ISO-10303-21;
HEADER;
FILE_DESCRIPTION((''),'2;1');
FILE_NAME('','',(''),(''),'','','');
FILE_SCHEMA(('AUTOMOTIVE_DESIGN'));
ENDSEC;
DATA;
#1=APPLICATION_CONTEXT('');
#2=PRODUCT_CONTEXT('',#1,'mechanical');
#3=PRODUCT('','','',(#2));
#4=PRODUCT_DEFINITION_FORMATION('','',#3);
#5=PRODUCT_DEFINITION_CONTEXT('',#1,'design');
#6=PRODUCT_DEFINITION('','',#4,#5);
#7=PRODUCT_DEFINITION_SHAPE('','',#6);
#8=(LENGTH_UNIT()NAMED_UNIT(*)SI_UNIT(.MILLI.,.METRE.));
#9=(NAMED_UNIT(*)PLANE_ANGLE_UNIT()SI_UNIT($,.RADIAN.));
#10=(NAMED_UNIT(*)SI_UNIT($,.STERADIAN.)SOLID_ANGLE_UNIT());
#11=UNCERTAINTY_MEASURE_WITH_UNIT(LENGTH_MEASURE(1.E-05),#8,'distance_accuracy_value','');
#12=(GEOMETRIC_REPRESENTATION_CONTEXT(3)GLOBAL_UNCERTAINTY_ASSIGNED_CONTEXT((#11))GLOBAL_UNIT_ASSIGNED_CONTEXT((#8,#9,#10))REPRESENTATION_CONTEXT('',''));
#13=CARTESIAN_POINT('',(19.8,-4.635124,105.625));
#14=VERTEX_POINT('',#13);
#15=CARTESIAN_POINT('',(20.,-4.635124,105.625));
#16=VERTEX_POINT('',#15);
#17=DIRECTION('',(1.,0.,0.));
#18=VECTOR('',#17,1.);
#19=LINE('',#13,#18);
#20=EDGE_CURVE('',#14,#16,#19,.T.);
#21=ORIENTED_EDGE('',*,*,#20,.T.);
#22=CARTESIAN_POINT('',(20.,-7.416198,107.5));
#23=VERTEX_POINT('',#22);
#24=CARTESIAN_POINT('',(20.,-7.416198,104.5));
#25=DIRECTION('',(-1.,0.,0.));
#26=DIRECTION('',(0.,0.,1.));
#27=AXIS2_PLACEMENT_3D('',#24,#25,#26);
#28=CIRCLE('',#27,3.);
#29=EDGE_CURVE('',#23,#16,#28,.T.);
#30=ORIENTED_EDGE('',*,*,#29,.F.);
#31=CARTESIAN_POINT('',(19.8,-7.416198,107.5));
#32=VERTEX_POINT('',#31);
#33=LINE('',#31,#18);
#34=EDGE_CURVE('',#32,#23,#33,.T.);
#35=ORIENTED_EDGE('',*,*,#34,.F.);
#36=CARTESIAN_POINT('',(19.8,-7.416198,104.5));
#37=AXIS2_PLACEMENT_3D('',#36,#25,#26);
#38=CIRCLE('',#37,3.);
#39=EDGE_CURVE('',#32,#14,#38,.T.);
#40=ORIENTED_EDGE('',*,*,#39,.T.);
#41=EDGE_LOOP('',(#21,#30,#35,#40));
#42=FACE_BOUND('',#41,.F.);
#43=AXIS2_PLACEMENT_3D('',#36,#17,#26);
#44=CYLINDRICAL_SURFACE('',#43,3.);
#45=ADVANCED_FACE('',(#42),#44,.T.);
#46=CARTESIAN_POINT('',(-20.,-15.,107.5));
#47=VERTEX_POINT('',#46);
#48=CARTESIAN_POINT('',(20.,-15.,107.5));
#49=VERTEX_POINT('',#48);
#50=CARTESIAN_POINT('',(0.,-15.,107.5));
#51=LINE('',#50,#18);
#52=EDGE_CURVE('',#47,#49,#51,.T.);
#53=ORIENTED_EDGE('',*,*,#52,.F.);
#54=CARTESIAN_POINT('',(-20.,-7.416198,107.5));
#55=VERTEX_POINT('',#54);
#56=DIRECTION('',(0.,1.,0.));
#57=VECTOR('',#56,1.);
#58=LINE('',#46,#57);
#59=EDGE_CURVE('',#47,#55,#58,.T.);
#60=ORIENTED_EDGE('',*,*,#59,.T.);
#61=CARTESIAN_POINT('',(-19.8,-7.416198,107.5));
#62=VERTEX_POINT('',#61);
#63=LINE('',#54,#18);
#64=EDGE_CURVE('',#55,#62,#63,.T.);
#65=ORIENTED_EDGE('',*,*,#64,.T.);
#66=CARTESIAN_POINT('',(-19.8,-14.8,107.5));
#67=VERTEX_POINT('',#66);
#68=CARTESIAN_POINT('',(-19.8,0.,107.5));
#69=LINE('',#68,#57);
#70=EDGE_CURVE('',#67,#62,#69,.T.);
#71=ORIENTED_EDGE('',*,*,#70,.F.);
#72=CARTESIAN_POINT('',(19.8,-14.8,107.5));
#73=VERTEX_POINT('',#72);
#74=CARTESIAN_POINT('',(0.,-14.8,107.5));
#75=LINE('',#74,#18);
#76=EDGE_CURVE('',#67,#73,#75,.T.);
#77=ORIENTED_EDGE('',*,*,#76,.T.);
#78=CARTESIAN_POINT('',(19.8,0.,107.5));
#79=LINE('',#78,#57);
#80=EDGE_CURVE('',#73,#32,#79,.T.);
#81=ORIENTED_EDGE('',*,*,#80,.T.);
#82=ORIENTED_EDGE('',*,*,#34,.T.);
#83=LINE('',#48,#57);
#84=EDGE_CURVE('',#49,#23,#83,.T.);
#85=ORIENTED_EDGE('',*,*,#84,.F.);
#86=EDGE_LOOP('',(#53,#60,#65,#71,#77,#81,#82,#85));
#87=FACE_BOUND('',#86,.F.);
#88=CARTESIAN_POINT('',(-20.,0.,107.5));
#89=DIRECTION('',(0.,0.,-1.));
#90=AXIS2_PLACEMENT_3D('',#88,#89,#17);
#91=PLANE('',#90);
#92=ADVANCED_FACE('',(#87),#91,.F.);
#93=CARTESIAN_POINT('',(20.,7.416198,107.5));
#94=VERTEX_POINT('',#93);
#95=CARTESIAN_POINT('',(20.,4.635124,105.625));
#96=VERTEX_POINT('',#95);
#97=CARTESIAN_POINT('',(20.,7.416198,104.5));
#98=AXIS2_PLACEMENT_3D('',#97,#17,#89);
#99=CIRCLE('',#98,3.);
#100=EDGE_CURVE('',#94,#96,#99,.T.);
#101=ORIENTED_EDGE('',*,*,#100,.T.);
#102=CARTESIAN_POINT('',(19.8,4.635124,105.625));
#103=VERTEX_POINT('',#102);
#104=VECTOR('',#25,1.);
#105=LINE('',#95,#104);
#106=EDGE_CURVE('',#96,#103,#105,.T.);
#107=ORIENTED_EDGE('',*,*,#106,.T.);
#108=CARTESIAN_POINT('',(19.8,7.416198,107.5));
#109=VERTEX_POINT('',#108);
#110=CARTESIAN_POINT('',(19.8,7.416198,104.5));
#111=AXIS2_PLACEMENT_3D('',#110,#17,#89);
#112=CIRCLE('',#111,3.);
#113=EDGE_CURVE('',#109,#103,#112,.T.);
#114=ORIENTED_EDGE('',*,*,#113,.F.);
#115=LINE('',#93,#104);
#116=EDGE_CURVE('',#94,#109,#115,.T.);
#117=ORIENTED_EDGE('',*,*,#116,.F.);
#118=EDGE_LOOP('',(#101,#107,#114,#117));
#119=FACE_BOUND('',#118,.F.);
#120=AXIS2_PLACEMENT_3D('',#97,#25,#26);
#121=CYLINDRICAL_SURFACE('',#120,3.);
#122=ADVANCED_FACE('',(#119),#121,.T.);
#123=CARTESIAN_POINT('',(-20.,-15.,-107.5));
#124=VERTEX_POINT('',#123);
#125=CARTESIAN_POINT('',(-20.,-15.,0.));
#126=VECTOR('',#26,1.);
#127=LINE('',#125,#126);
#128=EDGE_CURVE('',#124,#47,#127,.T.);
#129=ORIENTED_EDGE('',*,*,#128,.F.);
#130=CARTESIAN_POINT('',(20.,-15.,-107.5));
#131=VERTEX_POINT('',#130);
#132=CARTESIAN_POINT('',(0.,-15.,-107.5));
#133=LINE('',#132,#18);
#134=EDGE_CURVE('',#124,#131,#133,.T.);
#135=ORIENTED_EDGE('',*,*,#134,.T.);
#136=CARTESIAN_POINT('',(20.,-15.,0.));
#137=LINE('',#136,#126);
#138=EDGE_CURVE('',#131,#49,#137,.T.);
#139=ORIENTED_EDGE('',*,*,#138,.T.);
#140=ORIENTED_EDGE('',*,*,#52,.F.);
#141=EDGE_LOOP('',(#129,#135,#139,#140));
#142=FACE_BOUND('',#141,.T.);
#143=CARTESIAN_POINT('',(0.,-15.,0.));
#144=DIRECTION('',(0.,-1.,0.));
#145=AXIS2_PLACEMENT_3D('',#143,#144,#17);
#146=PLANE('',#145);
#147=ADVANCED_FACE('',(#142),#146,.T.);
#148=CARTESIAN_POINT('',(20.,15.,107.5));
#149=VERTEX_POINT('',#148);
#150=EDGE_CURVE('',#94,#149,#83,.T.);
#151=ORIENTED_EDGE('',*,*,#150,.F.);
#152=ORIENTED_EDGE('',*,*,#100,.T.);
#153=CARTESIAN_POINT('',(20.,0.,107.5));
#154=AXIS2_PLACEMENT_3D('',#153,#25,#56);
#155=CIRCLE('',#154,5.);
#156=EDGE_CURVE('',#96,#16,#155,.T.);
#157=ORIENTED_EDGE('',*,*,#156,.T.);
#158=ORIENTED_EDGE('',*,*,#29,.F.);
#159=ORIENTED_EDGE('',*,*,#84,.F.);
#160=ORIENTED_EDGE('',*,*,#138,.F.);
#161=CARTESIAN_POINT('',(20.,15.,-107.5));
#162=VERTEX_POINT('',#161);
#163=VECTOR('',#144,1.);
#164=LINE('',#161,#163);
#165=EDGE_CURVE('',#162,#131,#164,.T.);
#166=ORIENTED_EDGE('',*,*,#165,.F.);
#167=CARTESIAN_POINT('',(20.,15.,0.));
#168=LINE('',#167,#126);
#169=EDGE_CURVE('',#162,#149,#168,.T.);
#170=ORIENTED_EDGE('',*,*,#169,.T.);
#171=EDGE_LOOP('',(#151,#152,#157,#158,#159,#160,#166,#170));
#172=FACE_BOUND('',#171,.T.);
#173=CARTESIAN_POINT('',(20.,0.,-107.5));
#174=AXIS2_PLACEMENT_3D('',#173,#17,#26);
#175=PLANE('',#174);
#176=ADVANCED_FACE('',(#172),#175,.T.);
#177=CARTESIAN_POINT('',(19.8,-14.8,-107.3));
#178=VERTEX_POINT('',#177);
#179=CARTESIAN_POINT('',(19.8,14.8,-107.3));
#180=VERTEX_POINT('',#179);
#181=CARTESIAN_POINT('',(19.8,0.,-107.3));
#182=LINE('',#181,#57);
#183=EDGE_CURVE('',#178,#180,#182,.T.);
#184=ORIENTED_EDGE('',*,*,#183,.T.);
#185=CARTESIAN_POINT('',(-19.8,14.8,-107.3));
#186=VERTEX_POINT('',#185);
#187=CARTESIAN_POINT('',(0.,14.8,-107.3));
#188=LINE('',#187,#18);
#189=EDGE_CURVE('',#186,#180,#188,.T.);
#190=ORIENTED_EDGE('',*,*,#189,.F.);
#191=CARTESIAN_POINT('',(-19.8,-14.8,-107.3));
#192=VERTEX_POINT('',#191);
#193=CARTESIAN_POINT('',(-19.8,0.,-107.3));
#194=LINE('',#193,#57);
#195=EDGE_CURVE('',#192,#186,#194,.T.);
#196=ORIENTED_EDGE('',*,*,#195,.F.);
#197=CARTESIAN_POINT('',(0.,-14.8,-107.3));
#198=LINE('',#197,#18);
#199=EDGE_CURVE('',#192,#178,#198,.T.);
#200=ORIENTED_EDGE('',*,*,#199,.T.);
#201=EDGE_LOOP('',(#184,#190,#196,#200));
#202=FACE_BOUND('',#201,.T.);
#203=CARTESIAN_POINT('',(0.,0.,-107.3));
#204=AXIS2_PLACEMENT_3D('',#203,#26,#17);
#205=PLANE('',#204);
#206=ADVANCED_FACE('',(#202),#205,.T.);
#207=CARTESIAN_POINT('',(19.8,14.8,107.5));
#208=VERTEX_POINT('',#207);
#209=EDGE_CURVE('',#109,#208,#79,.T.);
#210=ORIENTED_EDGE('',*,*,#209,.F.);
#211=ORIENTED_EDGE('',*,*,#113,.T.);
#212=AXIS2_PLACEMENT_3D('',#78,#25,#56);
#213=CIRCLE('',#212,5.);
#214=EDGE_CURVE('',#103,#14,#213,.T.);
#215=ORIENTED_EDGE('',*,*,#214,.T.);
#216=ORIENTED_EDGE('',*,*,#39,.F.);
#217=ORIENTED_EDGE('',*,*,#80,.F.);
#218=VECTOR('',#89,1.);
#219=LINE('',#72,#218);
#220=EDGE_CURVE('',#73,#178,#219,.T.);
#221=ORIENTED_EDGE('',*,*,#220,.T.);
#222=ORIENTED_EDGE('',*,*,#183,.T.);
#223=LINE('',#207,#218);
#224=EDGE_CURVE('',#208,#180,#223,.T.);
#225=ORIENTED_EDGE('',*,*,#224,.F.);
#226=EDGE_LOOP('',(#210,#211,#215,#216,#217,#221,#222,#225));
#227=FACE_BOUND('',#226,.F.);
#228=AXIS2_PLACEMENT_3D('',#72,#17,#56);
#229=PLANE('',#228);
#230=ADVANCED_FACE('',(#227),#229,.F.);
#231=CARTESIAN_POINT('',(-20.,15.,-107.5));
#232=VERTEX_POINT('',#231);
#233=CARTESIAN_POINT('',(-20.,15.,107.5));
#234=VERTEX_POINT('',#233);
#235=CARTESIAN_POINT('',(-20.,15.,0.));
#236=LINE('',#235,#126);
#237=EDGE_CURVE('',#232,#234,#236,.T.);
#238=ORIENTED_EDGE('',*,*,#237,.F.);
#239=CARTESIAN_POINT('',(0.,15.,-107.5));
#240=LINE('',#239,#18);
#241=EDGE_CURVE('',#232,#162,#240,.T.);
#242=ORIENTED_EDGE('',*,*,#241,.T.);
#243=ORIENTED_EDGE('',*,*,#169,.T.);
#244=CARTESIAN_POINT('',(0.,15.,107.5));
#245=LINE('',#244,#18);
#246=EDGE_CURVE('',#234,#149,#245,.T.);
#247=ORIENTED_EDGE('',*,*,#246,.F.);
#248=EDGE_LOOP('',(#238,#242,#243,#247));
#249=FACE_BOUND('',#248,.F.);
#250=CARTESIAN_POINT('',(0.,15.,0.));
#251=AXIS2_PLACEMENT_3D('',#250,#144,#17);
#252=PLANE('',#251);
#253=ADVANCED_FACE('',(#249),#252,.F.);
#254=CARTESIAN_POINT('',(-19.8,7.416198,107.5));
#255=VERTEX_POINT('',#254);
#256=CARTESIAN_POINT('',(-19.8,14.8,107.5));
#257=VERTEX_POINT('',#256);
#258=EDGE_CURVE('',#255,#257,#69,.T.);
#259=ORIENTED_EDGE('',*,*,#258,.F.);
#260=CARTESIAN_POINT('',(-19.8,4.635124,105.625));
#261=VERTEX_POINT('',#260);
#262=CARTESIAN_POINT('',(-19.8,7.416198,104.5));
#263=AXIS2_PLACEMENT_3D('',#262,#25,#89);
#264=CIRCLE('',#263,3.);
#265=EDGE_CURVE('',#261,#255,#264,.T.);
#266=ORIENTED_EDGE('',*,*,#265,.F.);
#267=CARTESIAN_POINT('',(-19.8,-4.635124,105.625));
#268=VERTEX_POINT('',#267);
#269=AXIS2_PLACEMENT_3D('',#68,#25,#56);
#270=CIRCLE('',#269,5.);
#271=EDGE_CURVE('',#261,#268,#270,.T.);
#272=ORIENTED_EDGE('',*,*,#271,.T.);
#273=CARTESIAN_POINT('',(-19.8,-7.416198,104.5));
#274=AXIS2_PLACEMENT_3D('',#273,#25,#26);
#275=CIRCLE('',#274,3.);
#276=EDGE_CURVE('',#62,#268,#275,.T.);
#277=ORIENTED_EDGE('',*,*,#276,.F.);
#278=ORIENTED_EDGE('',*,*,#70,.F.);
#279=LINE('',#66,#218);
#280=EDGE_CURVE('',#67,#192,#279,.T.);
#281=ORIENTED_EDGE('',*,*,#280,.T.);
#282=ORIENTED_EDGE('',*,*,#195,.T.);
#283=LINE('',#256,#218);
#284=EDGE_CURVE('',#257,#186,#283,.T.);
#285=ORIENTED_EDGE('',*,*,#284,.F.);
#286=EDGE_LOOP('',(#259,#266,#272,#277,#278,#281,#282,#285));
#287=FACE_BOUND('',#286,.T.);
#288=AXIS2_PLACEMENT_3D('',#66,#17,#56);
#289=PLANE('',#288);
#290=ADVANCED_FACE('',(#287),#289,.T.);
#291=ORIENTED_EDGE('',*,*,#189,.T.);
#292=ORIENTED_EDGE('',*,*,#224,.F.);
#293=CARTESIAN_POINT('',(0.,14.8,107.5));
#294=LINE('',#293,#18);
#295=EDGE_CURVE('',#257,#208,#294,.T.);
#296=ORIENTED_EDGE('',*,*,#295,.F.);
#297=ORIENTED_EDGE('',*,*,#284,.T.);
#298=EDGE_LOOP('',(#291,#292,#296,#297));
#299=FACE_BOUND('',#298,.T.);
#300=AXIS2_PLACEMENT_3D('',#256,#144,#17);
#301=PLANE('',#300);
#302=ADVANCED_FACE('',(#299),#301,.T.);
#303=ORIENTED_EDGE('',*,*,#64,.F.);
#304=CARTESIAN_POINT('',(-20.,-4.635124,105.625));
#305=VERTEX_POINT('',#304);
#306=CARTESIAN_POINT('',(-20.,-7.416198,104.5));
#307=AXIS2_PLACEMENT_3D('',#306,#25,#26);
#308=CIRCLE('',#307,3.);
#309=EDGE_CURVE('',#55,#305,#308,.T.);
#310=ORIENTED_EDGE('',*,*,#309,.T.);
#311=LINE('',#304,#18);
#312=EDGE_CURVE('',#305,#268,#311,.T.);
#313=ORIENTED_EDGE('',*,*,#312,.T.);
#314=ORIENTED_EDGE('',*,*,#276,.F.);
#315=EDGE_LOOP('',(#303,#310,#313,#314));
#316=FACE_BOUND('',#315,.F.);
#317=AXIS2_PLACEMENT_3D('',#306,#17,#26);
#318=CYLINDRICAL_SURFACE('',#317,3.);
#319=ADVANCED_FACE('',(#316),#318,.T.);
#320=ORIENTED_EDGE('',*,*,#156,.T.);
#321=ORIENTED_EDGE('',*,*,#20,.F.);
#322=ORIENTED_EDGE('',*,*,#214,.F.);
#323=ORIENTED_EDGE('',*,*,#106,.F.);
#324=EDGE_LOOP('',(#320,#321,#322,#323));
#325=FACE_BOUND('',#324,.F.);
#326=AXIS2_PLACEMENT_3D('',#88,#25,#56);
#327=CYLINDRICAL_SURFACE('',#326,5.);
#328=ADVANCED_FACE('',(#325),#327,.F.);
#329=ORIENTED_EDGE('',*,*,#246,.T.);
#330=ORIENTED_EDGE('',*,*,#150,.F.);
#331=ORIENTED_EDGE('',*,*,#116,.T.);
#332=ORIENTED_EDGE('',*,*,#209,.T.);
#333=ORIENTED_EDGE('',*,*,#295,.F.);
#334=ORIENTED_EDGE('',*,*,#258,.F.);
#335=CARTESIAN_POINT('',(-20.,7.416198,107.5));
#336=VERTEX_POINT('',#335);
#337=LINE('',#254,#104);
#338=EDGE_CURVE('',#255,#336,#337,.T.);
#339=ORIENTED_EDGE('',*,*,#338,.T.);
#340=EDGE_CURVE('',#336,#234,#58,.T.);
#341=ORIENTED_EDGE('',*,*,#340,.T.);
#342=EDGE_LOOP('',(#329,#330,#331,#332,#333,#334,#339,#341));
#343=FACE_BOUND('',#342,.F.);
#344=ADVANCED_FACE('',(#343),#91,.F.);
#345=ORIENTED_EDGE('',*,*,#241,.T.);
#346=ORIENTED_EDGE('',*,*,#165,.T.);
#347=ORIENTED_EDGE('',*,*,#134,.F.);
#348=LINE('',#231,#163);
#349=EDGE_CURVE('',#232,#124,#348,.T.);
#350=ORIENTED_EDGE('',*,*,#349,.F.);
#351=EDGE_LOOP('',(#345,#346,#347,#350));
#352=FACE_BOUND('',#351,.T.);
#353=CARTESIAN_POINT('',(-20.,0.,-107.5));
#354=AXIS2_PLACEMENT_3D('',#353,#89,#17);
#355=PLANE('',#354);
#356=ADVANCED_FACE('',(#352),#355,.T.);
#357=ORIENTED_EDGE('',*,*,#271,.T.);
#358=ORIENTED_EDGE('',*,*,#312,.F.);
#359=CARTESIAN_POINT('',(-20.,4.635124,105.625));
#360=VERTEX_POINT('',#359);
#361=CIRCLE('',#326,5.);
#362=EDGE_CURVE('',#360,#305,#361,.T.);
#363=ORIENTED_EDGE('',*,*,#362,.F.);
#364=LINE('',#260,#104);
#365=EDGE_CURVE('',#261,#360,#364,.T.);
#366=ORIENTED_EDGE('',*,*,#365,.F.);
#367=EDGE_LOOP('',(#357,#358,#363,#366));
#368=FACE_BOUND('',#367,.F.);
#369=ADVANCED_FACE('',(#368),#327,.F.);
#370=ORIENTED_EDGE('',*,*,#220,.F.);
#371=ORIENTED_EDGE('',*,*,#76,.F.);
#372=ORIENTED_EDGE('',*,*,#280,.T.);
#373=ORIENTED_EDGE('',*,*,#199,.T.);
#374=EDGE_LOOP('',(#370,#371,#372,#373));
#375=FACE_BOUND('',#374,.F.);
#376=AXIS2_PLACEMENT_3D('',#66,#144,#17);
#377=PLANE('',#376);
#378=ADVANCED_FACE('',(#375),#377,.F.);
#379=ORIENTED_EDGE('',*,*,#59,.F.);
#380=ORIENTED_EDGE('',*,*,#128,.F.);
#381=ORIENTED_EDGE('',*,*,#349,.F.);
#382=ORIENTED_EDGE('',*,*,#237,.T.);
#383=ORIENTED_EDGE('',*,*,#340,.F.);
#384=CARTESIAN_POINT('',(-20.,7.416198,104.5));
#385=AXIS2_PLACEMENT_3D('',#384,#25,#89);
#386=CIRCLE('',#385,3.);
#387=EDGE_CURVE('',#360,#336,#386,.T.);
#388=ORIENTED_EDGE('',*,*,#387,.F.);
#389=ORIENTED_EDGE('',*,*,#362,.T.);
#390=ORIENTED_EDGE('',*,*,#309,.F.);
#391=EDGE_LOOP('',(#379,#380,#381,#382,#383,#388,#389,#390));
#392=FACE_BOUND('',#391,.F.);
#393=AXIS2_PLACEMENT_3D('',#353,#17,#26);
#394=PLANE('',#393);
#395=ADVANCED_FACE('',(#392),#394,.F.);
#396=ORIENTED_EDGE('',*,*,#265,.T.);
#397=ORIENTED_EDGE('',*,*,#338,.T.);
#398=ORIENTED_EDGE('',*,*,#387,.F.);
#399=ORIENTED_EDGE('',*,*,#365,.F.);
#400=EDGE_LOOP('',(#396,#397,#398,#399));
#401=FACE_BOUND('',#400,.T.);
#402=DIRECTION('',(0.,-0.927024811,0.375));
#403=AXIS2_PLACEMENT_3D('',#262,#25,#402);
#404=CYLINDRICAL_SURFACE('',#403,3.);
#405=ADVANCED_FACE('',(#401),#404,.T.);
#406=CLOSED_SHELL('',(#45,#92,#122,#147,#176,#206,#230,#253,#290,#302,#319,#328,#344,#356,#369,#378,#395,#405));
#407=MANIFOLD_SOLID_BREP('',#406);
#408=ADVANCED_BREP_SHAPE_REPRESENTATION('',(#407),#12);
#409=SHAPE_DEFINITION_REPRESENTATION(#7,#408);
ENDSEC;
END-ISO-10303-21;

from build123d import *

# Parameters (mm, degrees)
F0_W     = 40
F0_H     = 215
F1_DEPTH = 15
F2_W     = 39.6
F2_H     = 29.6
F3_DEPTH = 214.8
F5_DEPTH = 62.4
F6_R     = 3


with BuildPart() as f1:
    # F0 (on Front) → F1 (new body, symmetric)
    with BuildSketch(Plane.XZ):
        Rectangle(F0_W, F0_H)
    extrude(amount=F1_DEPTH, both=True)

    # F2 (on face) → F3 (cut)
    with BuildSketch(Plane.XY.offset(107.5)):
        Rectangle(F2_W, F2_H)
    extrude(amount=-F3_DEPTH, mode=Mode.SUBTRACT)

    # F4 (on face) → F5 (cut, symmetric)
    with BuildSketch(Plane(origin=(-20, 0, 0), x_dir=(0, -1, 0), z_dir=(-1, 0, 0))):
        with BuildLine():
            Line((5, 107.5), (-5, 107.5))
            ThreePointArc((-5, 107.5), (0, 102.5), (5, 107.5))
        make_face()
    extrude(amount=F5_DEPTH, both=True, mode=Mode.SUBTRACT)

    # F6
    f6_edges = [f1.edges().sort_by_distance(p)[0] for p in [
        (19.9, -5, 107.5),
        (-19.9, -5, 107.5),
        (19.9, 5, 107.5),
        (-19.9, 5, 107.5),
    ]]
    fillet(f6_edges, radius=F6_R)


solid = f1.part
